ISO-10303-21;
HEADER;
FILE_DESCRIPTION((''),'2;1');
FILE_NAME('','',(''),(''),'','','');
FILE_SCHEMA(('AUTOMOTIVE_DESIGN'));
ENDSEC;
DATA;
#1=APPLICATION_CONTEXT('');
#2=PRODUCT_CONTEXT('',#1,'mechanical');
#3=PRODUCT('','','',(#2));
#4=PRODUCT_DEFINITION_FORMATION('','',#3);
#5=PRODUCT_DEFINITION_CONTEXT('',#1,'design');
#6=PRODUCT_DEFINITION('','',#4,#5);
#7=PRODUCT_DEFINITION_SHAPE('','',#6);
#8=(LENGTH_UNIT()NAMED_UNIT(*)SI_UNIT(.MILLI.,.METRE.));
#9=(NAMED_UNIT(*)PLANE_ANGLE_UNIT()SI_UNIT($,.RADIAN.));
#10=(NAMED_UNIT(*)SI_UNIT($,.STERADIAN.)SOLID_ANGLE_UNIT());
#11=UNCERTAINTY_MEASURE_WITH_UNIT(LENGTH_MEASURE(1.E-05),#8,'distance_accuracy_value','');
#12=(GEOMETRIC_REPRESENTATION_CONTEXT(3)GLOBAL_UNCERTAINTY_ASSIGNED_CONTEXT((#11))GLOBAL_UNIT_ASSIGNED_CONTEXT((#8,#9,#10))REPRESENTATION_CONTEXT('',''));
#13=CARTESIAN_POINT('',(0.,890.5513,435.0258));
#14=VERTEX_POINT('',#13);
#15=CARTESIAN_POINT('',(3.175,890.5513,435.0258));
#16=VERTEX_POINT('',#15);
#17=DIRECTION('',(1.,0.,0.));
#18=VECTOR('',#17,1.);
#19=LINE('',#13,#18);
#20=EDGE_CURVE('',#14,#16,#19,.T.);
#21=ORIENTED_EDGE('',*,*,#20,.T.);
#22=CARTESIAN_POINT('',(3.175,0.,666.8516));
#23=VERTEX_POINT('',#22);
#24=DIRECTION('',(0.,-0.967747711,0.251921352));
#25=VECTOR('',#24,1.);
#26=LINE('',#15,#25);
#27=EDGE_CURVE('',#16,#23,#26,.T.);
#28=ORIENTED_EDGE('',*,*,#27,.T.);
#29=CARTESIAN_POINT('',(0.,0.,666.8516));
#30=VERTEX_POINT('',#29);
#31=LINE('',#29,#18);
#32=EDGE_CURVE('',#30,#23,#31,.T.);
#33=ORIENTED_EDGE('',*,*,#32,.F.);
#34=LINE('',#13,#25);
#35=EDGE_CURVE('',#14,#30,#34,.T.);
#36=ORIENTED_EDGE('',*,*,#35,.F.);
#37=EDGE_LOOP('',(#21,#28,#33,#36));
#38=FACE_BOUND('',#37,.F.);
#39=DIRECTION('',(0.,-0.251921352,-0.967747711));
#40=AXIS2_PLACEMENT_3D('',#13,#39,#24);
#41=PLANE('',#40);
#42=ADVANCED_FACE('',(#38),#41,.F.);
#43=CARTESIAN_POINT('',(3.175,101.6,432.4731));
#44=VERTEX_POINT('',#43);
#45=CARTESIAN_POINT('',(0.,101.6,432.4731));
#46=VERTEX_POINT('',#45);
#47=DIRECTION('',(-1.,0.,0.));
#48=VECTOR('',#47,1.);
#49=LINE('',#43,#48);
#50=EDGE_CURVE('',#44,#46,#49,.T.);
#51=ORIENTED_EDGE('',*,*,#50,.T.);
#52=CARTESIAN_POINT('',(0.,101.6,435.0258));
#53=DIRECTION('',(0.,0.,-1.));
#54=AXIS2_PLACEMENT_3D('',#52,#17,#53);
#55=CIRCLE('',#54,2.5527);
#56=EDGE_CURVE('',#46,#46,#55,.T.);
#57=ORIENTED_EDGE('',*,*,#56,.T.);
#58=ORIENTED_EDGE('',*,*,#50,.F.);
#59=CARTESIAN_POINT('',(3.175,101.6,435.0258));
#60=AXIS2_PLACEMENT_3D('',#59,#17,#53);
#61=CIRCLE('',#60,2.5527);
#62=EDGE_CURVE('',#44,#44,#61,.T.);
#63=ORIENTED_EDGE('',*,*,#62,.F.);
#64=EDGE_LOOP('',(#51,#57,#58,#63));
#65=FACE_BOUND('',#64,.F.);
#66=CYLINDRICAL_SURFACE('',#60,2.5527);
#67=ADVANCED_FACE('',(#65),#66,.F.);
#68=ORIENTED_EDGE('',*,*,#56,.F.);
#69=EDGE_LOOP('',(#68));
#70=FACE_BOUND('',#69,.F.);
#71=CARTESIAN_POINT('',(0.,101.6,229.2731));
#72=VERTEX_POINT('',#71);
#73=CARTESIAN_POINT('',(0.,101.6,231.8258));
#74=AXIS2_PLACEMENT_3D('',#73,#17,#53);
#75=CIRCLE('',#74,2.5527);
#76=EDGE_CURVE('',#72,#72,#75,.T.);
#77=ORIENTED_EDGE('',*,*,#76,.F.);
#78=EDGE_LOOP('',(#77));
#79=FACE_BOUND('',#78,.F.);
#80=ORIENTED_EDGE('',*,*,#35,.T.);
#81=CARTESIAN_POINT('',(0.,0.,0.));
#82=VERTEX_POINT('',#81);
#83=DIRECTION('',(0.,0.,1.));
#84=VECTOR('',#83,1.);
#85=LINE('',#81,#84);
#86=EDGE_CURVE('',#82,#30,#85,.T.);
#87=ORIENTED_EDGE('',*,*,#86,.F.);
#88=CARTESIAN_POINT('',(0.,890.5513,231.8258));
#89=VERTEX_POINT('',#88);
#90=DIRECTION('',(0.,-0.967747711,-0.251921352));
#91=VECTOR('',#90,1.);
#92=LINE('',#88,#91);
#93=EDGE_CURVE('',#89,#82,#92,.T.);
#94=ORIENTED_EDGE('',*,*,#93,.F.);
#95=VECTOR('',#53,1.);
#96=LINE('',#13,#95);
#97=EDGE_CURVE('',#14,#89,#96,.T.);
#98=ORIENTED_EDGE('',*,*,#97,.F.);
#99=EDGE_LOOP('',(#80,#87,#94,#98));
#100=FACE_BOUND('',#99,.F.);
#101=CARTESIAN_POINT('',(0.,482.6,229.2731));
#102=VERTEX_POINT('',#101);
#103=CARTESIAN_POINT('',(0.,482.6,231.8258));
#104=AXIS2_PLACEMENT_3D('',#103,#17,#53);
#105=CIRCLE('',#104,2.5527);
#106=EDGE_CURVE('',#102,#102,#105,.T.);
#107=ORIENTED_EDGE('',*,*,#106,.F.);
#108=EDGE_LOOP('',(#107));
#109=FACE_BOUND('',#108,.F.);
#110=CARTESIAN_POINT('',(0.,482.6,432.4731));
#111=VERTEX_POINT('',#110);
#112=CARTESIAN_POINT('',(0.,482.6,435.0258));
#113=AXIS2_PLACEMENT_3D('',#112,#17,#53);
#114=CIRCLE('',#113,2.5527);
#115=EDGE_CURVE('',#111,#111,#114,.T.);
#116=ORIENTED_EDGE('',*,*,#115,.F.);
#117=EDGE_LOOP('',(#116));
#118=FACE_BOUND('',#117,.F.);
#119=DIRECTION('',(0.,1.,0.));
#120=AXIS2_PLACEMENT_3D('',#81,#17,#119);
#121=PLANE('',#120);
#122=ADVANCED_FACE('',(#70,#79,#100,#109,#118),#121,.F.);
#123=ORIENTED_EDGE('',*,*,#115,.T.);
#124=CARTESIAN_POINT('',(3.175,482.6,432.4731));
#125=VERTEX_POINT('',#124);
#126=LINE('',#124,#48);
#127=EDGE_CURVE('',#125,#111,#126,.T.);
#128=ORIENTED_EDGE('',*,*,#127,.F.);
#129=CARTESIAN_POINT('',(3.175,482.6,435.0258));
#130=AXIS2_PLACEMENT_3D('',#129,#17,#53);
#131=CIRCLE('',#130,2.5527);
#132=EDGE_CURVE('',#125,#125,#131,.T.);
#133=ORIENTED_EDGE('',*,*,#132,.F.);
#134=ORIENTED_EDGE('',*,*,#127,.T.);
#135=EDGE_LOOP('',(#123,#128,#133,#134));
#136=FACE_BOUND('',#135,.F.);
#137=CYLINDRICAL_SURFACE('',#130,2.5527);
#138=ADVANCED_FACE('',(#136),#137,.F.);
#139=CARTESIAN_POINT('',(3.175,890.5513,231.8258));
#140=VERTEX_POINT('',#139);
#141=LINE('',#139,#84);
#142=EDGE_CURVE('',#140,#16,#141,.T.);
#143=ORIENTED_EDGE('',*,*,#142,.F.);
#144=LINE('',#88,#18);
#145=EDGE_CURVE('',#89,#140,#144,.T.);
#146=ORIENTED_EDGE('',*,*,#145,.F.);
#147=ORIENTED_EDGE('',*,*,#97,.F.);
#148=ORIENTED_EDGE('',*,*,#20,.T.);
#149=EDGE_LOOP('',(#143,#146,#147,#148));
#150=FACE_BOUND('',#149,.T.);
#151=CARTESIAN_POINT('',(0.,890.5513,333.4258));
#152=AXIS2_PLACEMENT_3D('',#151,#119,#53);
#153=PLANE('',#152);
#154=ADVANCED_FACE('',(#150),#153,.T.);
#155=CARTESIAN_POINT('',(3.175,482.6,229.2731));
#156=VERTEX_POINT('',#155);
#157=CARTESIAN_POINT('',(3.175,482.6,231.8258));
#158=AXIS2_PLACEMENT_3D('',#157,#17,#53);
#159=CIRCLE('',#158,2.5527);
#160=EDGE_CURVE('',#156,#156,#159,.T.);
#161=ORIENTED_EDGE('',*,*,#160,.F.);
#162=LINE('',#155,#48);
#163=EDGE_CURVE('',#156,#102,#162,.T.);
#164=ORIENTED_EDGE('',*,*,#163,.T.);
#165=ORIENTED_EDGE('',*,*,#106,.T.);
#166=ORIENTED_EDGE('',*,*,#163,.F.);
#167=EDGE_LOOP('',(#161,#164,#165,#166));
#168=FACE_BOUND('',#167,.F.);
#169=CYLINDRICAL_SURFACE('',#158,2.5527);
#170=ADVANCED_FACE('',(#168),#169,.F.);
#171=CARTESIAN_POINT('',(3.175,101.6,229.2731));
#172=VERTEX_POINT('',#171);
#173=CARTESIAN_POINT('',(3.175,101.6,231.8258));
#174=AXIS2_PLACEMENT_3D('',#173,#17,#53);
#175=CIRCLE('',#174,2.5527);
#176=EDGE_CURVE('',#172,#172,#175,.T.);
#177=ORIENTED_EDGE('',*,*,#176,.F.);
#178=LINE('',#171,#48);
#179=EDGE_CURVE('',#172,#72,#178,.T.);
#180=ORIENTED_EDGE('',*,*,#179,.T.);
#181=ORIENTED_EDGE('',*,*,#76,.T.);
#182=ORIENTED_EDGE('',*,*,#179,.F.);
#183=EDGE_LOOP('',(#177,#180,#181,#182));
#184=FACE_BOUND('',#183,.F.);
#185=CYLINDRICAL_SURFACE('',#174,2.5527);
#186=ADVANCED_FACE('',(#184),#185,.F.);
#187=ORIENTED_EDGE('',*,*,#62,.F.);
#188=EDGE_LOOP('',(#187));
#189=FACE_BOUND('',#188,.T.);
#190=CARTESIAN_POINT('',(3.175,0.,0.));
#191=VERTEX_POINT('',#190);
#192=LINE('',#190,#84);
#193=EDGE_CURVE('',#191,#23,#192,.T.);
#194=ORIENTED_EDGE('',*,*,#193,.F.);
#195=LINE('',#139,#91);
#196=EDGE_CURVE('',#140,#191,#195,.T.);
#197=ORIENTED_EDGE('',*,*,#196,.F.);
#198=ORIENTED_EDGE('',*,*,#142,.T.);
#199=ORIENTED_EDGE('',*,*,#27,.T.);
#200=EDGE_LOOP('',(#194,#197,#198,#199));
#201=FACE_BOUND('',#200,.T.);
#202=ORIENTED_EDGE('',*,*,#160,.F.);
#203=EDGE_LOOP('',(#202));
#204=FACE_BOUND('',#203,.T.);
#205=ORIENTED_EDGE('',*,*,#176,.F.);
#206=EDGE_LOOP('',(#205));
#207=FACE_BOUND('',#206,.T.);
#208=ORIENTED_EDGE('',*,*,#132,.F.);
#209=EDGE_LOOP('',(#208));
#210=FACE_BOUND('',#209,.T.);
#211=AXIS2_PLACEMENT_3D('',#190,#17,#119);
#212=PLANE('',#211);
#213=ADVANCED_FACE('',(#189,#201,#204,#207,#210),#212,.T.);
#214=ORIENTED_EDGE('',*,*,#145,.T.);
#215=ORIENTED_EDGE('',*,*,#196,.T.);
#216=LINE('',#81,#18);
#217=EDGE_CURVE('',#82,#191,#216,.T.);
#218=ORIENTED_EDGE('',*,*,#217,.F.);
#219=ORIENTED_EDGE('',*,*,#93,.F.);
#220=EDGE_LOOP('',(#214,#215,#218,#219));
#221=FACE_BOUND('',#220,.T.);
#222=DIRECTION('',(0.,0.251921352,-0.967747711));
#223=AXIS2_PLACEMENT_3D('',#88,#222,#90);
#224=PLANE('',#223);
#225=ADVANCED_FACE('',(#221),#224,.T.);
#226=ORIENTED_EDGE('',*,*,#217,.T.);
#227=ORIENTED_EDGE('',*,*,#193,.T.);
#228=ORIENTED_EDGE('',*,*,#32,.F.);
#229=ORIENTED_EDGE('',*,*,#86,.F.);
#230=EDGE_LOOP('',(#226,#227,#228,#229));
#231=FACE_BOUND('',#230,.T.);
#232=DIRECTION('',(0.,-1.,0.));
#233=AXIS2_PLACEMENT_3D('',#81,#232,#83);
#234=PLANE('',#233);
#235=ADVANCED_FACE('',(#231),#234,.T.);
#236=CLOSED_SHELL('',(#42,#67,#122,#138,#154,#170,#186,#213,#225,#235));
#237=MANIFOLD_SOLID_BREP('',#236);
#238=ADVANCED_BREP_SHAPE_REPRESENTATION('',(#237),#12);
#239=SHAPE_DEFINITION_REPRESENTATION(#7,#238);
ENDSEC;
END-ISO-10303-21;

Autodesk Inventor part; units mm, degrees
ref_plane "YZ Plane" through (0, 0, 0) normal (1, 0, 0) x (0, 1, 0)
ref_plane "XZ Plane" through (0, 0, 0) normal (0, 1, 0) x (-1, 0, 0)
ref_plane "XY Plane" through (0, 0, 0) normal (0, 0, 1) x (1, 0, 0)
sketch "Sketch1" plane through (0, 0, 0) normal (1, 0, 0) x (0, 1, 0)
  line L0 (0, 0) -> (0, 666.8516)
  line L1 (0, 333.4258) -> (890.5513, 333.4258) construction
  line L2 (890.5513, 435.0258) -> (890.5513, 333.4258)
  line L3 (890.5513, 333.4258) -> (890.5513, 231.8258)
  line L4 (890.5513, 435.0258) -> (0, 666.8516)
  line L5 (890.5513, 231.8258) -> (0, 0)
  dimension "d0" = 666.8516
  dimension "d4" = 203.2
  dimension "d6" = 920.2309
  dimension "d7" = 920.2309
  dimension "d10" = 180
extrude "Extrusion1" add sketch "Sketch1" along normal blind 3.175
sketch "Sketch2" plane through (3.175, 0, 0) normal (1, 0, 0) x (0, 0, -1)
  circle A0 centre (-231.8258, 482.6) radius 2.5527
  circle A1 centre (-435.0258, 482.6) radius 2.5527
  circle A2 centre (-231.8258, 101.6) radius 2.5527
  circle A3 centre (-435.0258, 101.6) radius 2.5527
  line L0 (-666.8516, 0) -> (0, 0) projected
  dimension "d11" = 5.1054
  dimension "d12" = 5.1054
  dimension "d13" = 203.2
  dimension "d14" = 5.1054
  dimension "d15" = 5.1054
  dimension "d16" = 203.2
  dimension "d17" = 0
  dimension "d18" = 381
  dimension "d19" = 101.6
  dimension "d20" = 231.8258
  dimension "d21" = 231.8258
  dimension "d24" = 0
extrude "Extrusion2" cut sketch "Sketch2" against normal blind 25.4
equation "\"d20\" = d21"
properties part number "Polycarb Side Pannel" material "Polycarbonate, Clear"
